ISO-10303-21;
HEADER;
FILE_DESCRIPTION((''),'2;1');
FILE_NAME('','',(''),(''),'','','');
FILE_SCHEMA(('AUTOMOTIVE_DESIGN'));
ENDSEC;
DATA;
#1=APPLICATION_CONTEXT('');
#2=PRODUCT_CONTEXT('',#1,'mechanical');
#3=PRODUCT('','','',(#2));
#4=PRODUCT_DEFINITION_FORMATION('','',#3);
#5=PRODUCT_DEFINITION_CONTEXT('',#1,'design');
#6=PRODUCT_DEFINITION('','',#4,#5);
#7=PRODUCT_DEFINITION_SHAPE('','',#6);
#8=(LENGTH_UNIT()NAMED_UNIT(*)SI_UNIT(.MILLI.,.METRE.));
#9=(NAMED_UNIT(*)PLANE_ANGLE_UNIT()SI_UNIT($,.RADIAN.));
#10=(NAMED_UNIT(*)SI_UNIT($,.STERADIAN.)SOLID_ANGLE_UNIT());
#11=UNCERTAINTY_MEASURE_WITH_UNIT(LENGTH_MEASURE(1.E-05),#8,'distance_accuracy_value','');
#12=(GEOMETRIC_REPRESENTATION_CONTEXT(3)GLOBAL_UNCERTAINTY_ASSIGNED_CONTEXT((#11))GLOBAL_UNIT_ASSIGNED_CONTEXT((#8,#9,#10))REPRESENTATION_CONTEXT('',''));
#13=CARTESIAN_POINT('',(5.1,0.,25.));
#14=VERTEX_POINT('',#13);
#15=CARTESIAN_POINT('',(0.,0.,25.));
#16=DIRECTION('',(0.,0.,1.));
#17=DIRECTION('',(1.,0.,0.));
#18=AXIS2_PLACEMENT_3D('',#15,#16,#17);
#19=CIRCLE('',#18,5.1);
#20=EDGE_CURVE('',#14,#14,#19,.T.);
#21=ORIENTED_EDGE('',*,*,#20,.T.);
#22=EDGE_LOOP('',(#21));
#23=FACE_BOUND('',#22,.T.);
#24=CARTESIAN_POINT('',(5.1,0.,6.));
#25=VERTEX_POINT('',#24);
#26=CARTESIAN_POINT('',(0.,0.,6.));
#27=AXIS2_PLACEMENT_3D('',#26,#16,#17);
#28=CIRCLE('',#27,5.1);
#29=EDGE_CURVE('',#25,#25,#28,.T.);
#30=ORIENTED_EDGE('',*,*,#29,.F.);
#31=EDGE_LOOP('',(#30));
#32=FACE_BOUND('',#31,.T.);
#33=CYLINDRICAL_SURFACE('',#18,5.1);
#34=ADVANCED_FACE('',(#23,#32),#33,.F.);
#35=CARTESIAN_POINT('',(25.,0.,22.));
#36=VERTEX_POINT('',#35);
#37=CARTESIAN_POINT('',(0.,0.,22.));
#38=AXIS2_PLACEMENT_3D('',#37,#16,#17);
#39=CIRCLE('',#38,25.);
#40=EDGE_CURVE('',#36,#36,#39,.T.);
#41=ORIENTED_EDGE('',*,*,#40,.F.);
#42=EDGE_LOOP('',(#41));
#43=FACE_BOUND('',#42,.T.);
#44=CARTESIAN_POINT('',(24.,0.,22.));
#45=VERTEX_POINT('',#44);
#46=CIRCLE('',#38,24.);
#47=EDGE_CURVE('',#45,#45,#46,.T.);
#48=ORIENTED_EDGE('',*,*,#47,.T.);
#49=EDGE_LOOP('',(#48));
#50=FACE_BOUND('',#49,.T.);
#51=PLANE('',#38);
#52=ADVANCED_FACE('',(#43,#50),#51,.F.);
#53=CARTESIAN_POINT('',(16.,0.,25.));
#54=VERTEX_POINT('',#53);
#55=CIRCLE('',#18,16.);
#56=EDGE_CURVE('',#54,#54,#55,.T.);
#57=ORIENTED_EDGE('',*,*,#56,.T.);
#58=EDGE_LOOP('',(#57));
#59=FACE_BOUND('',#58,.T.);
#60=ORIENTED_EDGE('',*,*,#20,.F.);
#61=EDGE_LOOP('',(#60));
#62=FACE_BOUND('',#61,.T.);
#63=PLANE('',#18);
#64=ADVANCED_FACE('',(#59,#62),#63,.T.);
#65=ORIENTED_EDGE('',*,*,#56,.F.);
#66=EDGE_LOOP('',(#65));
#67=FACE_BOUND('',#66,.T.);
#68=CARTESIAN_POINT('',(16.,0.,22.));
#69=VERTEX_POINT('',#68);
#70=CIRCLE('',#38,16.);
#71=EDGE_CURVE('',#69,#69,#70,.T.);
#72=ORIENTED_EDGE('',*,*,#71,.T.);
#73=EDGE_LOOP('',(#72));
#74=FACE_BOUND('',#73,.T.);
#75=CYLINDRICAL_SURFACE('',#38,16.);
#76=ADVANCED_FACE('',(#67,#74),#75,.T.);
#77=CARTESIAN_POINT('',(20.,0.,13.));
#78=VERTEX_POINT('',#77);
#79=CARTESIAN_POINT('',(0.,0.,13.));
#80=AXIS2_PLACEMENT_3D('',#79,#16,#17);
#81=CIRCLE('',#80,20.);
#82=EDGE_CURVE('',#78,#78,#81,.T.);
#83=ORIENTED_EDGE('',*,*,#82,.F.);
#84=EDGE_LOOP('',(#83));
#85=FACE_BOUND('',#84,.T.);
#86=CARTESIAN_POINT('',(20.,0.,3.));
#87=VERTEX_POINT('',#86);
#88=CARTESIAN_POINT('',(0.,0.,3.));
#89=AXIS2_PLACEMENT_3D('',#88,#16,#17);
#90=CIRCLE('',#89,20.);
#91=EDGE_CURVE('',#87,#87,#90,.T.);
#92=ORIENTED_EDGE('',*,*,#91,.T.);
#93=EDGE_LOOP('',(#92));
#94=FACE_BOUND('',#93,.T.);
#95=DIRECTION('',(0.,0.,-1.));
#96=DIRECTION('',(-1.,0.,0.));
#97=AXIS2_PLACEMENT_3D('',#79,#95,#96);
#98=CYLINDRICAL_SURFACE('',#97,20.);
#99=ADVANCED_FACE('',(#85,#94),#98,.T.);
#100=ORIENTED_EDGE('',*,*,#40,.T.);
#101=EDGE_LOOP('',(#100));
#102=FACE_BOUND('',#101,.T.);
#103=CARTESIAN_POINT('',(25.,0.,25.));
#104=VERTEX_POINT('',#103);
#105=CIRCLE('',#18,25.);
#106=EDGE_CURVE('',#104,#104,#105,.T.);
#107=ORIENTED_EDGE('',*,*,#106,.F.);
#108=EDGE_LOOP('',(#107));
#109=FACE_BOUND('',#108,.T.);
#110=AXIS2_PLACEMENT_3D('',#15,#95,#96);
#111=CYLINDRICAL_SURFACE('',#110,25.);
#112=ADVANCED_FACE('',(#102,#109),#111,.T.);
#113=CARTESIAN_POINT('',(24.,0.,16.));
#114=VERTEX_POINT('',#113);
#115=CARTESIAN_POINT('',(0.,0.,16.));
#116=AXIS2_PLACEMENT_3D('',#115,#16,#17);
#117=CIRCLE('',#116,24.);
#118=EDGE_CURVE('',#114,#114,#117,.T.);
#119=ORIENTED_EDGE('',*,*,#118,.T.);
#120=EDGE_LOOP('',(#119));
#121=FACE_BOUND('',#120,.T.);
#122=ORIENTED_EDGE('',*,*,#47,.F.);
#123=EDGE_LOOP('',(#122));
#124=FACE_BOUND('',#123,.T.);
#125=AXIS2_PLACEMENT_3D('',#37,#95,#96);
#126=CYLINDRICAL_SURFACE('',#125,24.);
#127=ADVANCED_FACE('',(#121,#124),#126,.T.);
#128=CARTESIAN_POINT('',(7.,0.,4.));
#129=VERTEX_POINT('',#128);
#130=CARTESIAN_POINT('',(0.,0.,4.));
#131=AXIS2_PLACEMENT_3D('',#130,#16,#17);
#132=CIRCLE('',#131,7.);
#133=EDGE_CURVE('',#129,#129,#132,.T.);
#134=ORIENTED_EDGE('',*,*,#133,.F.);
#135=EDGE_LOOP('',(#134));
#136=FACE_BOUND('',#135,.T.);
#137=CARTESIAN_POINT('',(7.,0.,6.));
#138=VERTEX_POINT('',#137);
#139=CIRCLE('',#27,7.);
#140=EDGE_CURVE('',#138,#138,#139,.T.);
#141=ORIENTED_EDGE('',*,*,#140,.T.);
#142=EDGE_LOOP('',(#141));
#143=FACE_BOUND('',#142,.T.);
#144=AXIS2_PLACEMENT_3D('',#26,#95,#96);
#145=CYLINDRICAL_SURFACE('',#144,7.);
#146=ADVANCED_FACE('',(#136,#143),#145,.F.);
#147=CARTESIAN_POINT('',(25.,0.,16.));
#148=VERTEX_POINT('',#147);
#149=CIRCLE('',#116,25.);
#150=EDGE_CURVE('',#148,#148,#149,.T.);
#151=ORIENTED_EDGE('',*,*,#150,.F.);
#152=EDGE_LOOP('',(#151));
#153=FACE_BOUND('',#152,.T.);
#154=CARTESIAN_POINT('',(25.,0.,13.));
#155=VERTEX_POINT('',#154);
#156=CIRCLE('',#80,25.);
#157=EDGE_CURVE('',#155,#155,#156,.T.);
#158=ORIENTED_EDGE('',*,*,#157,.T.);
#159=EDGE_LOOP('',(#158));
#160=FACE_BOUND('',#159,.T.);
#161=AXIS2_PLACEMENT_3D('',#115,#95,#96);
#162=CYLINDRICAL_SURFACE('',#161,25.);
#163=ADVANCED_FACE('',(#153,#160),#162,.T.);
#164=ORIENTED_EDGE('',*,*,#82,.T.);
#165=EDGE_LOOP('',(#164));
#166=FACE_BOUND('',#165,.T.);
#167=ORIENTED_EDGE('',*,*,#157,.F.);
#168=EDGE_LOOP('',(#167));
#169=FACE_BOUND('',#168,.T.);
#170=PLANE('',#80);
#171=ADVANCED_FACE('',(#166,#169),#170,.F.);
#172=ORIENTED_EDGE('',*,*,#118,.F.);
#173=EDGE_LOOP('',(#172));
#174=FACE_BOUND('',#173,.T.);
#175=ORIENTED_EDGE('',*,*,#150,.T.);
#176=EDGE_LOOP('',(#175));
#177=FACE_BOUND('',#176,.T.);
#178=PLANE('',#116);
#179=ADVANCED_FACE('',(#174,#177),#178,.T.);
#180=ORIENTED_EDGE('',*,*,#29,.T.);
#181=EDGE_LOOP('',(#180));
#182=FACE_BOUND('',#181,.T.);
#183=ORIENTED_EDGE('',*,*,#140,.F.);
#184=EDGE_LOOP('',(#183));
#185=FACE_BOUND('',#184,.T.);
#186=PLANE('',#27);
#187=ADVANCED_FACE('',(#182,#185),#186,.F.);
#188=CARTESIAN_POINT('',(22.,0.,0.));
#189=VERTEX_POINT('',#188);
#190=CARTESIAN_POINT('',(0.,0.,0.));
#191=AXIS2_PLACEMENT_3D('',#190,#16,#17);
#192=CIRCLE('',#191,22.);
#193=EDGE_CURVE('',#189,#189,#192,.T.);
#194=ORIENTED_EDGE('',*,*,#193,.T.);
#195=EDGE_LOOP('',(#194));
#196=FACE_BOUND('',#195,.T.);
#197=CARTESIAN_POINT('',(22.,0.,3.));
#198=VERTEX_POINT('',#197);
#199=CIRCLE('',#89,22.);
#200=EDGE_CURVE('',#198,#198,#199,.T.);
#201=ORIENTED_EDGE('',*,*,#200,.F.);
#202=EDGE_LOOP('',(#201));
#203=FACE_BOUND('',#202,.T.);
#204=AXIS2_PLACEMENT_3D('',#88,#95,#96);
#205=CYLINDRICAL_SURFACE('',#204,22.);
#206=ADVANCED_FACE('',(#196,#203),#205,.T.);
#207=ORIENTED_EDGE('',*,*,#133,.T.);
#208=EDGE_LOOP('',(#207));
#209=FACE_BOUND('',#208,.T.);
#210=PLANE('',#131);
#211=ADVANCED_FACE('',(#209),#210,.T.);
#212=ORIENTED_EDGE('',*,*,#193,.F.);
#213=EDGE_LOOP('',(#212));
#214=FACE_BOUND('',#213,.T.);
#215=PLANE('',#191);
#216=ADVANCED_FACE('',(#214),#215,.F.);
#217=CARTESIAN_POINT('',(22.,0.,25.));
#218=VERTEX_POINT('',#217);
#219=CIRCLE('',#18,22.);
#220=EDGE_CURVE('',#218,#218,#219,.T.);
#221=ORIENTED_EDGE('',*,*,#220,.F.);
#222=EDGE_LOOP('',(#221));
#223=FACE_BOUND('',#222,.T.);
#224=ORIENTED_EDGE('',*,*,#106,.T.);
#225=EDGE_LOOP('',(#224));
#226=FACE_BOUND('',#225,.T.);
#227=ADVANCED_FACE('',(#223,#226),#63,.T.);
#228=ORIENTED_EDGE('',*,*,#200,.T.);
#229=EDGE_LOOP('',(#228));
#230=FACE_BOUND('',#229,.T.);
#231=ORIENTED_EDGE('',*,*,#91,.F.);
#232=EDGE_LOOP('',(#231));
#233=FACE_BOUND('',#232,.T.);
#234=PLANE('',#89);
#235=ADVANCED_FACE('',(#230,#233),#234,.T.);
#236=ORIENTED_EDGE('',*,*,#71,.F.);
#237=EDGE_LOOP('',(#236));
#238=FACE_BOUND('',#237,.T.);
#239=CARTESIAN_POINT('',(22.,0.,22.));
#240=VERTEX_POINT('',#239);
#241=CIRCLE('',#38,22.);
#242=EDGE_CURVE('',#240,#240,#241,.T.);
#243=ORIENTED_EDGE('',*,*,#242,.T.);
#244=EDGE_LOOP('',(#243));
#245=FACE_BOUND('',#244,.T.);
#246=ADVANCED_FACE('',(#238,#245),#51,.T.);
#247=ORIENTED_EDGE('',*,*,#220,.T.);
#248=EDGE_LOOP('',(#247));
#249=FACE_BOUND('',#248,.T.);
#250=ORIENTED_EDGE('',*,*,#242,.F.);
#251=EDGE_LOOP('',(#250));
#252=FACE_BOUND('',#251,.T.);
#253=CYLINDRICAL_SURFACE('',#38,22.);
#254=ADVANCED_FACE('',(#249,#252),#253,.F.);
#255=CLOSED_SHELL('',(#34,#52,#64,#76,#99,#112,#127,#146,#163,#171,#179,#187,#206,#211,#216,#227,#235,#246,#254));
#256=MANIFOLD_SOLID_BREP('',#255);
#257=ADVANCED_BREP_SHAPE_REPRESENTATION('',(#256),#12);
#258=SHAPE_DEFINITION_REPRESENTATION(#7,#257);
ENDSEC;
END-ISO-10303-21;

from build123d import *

# Parameters (mm, degrees)
SKETCH1_R              = 22
BOSS_EXTRUDE1_DEPTH    = 3
SKETCH2_R              = 20
BOSS_EXTRUDE2_DEPTH    = 10
SKETCH3_R              = 25
BOSS_EXTRUDE3_DEPTH    = 3
SKETCH4_R              = 24
BOSS_EXTRUDE4_DEPTH    = 6
SKETCH5_R              = 25
BOSS_EXTRUDE5_DEPTH    = 3
CUT_EXTRUDE1_START     = -3
SKETCH6_R              = 22
SKETCH6_R_2            = 16
CUT_EXTRUDE1_DEPTH     = 3
SKETCH8_R              = 7
CUT_EXTRUDE2_DEPTH     = 2
M12_TAPPED_HOLE1_D     = 10.2
M12_TAPPED_HOLE1_DEPTH = 19


with BuildPart() as part:
    # Sketch1 → Boss-Extrude1 (new body)
    with BuildSketch(Plane.XY):
        Circle(SKETCH1_R)
    extrude(amount=BOSS_EXTRUDE1_DEPTH)

    # Sketch2 → Boss-Extrude2 (add)
    with BuildSketch(Plane.XY.offset(3)):
        Circle(SKETCH2_R)
    extrude(amount=BOSS_EXTRUDE2_DEPTH)

    # Sketch3 → Boss-Extrude3 (add)
    with BuildSketch(Plane.XY.offset(13)):
        Circle(SKETCH3_R)
    extrude(amount=BOSS_EXTRUDE3_DEPTH)

    # Sketch4 → Boss-Extrude4 (add)
    with BuildSketch(Plane.XY.offset(16)):
        Circle(SKETCH4_R)
    extrude(amount=BOSS_EXTRUDE4_DEPTH)

    # Sketch5 → Boss-Extrude5 (add)
    with BuildSketch(Plane.XY.offset(22)):
        Circle(SKETCH5_R)
    extrude(amount=BOSS_EXTRUDE5_DEPTH)

    # Sketch6 → Cut-Extrude1 (cut)
    with BuildSketch(Plane.XY.offset(25).offset(CUT_EXTRUDE1_START)):
        Circle(SKETCH6_R)
        Circle(SKETCH6_R_2, mode=Mode.SUBTRACT)
    extrude(amount=CUT_EXTRUDE1_DEPTH, mode=Mode.SUBTRACT)

    # Sketch8 → Cut-Extrude2 (cut)
    with BuildSketch(Plane.XY.offset(4)):
        Circle(SKETCH8_R)
    extrude(amount=CUT_EXTRUDE2_DEPTH, mode=Mode.SUBTRACT)

    # M12 Tapped Hole1
    with Locations(Plane.XY.offset(25)):
        with Locations((0, 0)):
            Hole(M12_TAPPED_HOLE1_D / 2, depth=M12_TAPPED_HOLE1_DEPTH)


solid = part.part
